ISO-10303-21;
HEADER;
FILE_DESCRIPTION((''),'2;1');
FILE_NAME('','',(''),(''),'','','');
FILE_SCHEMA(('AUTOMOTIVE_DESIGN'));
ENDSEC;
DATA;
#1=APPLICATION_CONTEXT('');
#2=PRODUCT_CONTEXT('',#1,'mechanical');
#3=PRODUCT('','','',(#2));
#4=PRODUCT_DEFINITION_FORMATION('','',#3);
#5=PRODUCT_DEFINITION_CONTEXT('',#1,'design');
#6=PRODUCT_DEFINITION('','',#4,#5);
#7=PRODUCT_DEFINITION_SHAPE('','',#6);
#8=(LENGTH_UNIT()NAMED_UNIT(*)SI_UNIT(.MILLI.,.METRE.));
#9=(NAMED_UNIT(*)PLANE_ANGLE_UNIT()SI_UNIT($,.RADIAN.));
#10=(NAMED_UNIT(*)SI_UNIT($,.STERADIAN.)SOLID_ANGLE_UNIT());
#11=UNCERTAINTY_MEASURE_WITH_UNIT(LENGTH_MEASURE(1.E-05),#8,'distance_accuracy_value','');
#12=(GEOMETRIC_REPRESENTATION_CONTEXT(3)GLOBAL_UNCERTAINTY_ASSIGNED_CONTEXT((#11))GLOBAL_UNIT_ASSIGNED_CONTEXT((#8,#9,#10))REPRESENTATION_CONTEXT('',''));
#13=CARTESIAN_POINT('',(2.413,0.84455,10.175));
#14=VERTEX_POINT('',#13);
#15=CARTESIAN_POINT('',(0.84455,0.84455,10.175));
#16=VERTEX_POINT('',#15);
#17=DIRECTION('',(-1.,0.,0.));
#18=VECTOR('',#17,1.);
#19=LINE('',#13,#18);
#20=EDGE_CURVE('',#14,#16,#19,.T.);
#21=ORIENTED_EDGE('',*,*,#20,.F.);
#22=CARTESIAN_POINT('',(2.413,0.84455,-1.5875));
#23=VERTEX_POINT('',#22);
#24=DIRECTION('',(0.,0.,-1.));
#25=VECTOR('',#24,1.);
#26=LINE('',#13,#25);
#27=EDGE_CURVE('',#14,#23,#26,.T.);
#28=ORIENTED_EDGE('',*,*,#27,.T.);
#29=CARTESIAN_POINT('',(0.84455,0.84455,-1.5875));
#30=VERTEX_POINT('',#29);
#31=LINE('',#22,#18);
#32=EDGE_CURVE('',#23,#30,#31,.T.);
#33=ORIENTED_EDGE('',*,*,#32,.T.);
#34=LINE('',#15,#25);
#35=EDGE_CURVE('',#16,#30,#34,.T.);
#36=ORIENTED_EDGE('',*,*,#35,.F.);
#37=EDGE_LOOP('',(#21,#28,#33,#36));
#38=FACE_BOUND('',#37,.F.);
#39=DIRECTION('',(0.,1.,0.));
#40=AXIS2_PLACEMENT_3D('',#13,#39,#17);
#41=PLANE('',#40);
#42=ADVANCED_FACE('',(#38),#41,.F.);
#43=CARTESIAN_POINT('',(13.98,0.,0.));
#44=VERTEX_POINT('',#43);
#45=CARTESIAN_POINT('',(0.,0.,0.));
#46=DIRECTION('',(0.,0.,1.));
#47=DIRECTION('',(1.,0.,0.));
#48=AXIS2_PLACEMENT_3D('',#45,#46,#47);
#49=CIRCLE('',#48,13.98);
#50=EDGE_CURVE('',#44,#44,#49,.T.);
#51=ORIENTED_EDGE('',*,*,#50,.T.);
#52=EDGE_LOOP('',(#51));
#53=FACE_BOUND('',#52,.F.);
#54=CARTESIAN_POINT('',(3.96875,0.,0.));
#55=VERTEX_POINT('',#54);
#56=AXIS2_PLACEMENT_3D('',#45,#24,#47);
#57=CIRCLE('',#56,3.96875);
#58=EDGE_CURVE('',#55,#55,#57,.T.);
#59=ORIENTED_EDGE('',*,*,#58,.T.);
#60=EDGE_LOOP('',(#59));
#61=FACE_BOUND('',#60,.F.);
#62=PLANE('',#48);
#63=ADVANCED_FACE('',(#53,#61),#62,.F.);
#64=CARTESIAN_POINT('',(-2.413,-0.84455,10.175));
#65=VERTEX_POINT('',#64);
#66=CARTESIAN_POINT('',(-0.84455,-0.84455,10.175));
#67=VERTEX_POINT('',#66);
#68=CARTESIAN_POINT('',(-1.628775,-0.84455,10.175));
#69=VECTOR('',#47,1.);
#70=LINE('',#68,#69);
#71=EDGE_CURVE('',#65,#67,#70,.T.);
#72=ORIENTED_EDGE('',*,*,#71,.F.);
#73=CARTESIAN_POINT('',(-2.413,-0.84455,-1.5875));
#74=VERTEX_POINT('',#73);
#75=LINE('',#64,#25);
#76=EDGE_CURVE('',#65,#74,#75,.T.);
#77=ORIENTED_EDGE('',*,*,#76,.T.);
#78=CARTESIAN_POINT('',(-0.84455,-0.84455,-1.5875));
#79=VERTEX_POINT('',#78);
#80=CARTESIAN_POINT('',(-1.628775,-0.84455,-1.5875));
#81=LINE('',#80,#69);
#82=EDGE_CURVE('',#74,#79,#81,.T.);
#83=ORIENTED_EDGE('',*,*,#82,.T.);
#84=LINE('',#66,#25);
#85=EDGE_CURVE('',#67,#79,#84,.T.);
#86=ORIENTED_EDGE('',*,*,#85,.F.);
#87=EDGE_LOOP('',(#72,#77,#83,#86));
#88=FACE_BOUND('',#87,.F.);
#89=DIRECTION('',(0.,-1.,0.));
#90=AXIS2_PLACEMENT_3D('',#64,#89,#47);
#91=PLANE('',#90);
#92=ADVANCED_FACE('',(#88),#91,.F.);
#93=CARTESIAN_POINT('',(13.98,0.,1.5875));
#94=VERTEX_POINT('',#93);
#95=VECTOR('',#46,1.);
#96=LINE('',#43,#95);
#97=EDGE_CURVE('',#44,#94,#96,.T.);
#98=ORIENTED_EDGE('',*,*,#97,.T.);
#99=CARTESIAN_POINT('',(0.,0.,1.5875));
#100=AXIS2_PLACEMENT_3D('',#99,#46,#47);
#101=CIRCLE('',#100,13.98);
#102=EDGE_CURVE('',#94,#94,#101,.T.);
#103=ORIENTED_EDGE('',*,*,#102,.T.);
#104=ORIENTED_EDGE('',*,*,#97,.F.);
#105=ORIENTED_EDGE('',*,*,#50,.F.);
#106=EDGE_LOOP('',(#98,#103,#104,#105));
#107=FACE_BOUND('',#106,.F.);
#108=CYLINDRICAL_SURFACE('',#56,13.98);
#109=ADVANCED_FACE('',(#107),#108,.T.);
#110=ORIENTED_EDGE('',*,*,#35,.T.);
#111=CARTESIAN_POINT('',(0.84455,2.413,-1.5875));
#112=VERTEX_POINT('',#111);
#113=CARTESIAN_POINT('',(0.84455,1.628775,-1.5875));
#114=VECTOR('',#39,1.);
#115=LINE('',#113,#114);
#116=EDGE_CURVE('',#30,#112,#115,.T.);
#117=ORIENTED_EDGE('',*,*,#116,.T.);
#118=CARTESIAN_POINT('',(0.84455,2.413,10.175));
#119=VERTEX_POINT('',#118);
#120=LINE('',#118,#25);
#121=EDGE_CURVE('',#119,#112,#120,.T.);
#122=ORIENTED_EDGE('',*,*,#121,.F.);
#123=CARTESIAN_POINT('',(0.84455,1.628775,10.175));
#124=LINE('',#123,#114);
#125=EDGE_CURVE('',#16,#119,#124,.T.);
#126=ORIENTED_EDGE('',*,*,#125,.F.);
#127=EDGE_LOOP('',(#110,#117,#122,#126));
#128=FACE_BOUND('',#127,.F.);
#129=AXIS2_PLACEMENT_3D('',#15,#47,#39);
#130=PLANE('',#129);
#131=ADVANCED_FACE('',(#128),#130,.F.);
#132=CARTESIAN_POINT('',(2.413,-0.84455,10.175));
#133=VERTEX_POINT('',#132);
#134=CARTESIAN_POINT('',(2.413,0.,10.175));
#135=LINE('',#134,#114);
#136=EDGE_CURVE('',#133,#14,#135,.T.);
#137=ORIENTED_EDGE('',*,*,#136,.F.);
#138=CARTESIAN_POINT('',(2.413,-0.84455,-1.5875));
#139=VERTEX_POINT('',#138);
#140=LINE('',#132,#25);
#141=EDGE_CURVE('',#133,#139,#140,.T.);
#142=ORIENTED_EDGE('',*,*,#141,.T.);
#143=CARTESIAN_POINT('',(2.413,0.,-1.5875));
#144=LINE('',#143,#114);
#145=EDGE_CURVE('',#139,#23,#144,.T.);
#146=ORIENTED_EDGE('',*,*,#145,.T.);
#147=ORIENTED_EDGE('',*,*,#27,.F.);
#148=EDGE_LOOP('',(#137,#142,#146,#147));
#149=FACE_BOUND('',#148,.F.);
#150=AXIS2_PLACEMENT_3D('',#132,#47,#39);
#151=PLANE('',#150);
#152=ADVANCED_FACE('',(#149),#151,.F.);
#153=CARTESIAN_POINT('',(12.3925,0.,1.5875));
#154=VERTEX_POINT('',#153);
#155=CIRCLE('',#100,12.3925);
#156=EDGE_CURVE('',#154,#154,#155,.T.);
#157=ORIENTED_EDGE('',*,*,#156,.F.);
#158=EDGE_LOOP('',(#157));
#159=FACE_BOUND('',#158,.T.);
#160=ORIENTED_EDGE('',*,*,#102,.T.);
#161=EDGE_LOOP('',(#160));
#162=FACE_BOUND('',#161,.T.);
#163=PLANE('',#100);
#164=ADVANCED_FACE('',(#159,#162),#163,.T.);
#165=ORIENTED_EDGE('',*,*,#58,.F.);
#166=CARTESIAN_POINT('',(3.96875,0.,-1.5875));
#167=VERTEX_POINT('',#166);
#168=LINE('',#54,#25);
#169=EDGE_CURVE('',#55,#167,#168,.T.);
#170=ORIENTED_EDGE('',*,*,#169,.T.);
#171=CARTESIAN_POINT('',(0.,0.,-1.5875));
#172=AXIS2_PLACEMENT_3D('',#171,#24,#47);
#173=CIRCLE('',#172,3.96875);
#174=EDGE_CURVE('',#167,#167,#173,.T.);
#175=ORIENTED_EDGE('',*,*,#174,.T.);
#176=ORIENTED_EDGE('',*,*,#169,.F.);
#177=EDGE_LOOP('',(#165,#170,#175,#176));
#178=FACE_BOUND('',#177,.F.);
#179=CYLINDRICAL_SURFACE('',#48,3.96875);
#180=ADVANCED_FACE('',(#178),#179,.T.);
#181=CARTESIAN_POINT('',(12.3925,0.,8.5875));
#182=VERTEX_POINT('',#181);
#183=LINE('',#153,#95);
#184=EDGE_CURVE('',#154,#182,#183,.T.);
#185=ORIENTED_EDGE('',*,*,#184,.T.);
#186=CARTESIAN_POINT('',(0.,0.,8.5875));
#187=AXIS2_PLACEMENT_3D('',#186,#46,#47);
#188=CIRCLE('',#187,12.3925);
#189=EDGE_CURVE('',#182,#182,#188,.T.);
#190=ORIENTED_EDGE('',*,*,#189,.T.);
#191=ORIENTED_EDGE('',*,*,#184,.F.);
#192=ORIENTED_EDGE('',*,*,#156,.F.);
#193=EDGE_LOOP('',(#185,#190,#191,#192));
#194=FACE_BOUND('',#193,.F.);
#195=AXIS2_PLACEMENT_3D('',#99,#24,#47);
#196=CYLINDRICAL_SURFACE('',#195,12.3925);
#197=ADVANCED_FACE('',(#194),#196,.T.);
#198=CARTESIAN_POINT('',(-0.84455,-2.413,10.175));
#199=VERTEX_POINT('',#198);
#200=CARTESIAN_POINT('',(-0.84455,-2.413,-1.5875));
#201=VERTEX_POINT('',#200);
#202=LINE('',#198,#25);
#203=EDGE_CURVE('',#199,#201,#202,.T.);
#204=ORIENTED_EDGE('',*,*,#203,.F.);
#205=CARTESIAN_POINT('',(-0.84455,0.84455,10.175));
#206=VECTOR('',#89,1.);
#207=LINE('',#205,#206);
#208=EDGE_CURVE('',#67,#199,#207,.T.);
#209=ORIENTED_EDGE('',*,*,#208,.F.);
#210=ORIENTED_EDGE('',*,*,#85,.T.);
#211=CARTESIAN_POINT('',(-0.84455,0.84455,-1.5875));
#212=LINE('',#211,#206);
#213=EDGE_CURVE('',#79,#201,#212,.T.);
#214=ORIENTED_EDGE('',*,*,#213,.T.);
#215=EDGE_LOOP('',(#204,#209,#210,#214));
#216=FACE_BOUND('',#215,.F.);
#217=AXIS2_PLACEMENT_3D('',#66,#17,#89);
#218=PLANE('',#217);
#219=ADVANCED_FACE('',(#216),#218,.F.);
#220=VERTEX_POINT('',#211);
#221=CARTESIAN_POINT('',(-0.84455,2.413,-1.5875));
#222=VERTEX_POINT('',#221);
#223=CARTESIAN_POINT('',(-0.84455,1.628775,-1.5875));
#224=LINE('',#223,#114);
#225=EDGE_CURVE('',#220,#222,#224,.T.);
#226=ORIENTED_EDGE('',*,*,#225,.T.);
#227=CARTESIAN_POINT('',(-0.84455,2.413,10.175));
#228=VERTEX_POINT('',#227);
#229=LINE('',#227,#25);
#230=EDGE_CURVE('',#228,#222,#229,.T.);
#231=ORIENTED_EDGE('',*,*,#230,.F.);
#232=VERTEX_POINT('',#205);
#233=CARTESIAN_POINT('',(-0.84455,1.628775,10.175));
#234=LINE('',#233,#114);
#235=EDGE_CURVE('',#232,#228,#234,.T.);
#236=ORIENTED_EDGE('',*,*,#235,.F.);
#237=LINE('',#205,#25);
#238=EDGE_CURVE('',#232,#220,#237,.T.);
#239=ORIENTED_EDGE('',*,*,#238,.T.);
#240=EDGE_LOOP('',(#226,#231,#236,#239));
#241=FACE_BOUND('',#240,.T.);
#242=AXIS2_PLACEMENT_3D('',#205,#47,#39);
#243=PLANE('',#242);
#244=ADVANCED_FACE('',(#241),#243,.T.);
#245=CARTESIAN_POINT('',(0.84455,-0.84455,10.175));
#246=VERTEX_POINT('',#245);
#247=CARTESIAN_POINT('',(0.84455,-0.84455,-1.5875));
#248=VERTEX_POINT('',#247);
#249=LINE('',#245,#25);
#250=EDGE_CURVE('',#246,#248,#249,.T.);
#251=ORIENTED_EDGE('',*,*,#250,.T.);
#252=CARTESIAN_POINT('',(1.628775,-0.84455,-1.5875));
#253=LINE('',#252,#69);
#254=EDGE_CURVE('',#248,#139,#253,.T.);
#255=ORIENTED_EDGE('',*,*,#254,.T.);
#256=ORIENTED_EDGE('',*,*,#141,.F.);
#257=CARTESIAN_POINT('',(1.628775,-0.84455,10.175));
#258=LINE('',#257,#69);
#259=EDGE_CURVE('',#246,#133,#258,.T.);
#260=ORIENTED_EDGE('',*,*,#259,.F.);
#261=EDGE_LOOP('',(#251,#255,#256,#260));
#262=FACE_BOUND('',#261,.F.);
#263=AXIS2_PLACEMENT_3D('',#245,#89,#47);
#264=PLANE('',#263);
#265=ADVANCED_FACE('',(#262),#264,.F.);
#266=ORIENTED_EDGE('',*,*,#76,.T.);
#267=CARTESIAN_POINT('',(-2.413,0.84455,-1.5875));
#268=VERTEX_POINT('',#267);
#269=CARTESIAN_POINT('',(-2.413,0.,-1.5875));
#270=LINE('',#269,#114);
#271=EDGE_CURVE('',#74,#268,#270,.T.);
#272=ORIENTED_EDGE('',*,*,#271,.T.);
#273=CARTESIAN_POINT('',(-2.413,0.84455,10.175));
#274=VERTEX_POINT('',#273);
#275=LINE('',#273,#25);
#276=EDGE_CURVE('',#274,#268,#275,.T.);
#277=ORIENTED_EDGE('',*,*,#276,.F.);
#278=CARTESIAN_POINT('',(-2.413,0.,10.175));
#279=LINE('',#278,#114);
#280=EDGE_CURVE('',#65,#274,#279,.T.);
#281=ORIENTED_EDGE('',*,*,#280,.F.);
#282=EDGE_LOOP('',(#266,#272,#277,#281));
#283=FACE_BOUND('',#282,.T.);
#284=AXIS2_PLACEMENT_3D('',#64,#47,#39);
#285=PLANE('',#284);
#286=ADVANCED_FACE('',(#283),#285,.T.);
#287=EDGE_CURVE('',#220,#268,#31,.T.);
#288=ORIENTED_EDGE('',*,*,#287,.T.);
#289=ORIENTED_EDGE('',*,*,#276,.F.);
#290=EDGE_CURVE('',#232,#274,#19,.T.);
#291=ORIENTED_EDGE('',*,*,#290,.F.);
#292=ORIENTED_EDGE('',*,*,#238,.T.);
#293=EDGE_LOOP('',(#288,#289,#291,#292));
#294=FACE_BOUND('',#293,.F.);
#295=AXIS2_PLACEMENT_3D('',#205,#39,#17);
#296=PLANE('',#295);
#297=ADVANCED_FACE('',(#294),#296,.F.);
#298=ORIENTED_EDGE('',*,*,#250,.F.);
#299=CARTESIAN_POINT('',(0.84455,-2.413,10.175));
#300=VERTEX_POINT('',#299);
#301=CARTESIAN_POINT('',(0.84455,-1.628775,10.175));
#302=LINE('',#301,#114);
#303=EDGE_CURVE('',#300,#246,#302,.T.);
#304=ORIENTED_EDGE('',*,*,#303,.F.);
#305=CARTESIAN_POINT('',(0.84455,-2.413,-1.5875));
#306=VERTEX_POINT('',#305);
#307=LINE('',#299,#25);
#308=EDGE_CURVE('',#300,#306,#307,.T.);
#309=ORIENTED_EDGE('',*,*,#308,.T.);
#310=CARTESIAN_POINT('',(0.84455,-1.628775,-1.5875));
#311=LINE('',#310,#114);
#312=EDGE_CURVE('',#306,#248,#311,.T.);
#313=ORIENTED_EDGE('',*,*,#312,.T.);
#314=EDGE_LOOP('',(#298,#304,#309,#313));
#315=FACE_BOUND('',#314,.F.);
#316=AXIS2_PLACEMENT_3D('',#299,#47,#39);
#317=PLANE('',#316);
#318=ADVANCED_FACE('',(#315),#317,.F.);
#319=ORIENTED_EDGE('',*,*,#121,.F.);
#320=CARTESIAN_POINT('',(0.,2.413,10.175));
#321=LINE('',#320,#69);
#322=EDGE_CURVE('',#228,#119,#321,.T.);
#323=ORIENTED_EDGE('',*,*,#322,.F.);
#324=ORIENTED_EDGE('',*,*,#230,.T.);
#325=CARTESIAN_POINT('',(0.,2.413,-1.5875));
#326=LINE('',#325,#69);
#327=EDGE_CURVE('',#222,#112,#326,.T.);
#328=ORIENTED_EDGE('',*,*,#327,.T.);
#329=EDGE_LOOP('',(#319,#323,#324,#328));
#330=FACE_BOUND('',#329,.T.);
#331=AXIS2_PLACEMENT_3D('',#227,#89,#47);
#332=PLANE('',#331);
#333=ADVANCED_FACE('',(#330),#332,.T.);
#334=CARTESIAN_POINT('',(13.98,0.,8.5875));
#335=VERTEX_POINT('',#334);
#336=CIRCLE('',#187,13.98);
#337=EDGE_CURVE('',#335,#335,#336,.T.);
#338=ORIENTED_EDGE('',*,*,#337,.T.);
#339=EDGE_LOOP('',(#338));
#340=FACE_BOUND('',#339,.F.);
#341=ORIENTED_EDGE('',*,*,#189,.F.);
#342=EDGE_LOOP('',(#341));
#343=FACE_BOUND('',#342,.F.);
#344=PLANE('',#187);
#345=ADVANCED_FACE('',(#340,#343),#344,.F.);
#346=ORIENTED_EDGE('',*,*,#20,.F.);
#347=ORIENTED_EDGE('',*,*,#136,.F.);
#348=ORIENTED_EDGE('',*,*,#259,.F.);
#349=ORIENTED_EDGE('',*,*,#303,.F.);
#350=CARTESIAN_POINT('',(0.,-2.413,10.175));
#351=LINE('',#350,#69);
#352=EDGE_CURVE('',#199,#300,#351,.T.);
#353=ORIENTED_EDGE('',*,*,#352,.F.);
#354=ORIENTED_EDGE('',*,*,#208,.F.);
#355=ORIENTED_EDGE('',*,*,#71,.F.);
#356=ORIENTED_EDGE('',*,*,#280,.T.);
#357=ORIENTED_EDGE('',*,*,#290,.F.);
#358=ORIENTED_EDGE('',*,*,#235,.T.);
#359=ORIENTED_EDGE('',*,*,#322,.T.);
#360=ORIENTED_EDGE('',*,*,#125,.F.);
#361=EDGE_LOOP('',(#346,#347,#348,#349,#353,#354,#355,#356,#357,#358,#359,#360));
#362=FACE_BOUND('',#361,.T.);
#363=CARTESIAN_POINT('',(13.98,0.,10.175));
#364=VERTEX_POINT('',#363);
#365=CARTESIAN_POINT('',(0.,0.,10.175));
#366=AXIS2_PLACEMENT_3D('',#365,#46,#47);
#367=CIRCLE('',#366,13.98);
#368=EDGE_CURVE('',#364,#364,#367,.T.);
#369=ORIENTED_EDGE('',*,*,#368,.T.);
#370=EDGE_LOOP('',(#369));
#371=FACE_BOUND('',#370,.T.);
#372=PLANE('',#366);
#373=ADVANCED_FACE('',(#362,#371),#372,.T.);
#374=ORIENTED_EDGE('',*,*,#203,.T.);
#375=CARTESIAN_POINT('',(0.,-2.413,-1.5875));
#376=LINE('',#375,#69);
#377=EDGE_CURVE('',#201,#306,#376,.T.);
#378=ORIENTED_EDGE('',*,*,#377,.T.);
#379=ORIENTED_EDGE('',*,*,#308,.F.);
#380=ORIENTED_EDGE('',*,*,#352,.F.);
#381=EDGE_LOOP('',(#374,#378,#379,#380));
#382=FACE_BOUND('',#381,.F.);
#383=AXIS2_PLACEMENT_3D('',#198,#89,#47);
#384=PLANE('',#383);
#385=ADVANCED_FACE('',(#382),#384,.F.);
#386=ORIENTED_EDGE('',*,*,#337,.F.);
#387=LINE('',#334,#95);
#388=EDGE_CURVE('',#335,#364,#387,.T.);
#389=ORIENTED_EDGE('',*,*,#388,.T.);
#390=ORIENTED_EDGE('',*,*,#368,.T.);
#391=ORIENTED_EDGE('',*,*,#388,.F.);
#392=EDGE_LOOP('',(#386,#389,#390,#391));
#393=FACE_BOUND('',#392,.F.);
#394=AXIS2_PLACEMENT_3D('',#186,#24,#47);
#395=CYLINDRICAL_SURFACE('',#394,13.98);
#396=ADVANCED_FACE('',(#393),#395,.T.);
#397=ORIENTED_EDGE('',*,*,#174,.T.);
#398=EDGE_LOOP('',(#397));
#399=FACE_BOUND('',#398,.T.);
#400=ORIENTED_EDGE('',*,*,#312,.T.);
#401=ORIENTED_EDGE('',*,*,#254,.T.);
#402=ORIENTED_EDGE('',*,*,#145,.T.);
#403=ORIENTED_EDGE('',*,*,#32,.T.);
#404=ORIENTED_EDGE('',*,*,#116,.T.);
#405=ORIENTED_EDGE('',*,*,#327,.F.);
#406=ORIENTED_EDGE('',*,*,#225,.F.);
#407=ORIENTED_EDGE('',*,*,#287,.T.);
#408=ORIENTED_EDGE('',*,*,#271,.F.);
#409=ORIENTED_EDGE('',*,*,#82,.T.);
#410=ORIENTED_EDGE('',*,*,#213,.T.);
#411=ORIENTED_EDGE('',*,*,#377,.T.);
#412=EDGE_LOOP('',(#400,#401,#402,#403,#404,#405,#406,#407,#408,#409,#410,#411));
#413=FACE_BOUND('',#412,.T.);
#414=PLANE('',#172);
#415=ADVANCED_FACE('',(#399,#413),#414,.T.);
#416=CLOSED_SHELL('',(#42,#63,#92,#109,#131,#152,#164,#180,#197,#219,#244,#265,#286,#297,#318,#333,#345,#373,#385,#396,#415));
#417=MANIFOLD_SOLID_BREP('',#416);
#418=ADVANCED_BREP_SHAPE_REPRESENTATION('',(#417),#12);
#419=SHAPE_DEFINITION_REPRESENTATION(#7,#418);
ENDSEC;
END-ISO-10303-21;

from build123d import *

# Parameters (mm, degrees)
F0_R     = 13.97999998
F1_DEPTH = 1.5875
F2_R     = 12.39249998
F3_DEPTH = 7
F4_R     = 13.97999998
F5_DEPTH = 1.5875
F6_R     = 3.96875
F7_DEPTH = 1.5875
F8_W     = 1.56845
F8_H     = 1.6891
F8_W_2   = 1.6891
F8_H_2   = 1.56845
F9_DEPTH = 11.7625


with BuildPart() as f1:
    # F0 (on Top) → F1 (new body)
    with BuildSketch(Plane.XY):
        Circle(F0_R)
    extrude(amount=F1_DEPTH)

    # F2 (on face) → F3 (join)
    with BuildSketch(Plane.XY.offset(1.5875)):
        Circle(F2_R)
    extrude(amount=F3_DEPTH)

    # F4 (on face) → F5 (join)
    with BuildSketch(Plane.XY.offset(8.5875)):
        Circle(F4_R)
    extrude(amount=F5_DEPTH)

    # F6 (on face) → F7 (join)
    with BuildSketch(Plane(origin=(0, 0, 0), x_dir=(1, 0, 0), z_dir=(0, 0, -1))):
        Circle(F6_R)
    extrude(amount=F7_DEPTH)

    # F8 (on face) → F9 (cut, through all)
    with BuildSketch(Plane.XY.offset(10.175)):
        with Locations((1.628775, 0)):
            Rectangle(F8_W, F8_H)
        with Locations((0, -1.628775)):
            Rectangle(F8_W_2, F8_H_2)
        Rectangle(F8_W_2, F8_H)
        with Locations((-1.628775, 0)):
            Rectangle(F8_W, F8_H)
        with Locations((0, 1.628775)):
            Rectangle(F8_W_2, F8_H_2)
    extrude(amount=-F9_DEPTH, mode=Mode.SUBTRACT)


solid = f1.part
